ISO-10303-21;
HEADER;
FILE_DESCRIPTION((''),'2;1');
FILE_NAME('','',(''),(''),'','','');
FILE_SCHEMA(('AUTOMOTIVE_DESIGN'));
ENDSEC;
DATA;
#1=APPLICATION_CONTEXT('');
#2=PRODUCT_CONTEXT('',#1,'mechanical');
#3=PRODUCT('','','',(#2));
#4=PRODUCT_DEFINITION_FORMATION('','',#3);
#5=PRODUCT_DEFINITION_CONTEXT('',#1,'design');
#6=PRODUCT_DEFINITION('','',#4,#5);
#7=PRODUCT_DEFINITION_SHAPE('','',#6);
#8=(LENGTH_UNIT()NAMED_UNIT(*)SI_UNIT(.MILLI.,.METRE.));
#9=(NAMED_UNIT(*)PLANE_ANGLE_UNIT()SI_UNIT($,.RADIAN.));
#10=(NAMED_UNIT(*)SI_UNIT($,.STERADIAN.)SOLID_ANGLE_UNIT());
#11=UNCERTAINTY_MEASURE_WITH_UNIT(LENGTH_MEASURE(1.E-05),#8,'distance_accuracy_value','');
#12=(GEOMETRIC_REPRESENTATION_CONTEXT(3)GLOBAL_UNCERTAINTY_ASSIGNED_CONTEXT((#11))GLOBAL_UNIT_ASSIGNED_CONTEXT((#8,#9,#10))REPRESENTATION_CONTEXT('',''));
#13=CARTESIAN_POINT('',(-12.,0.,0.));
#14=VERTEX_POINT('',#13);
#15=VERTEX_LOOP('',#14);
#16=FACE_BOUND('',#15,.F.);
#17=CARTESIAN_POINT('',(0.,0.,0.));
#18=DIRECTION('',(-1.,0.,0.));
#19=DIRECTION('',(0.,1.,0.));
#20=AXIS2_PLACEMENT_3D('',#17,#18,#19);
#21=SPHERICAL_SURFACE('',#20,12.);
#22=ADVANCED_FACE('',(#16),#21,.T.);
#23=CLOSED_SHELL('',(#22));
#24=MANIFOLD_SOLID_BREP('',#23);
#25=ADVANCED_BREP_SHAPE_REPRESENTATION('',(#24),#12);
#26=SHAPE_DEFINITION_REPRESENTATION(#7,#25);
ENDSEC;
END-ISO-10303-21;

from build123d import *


with BuildPart() as part:
    # Sketch1 → Revolve1 (revolve)
    with BuildSketch(Plane.XY):
        with BuildLine():
            Line((-12, 0), (12, 0))
            ThreePointArc((12, 0), (0, 12), (-12, 0))
        make_face()
    revolve(axis=Axis((-14.301461938, 0, 0), (1, 0, 0)))


solid = part.part
